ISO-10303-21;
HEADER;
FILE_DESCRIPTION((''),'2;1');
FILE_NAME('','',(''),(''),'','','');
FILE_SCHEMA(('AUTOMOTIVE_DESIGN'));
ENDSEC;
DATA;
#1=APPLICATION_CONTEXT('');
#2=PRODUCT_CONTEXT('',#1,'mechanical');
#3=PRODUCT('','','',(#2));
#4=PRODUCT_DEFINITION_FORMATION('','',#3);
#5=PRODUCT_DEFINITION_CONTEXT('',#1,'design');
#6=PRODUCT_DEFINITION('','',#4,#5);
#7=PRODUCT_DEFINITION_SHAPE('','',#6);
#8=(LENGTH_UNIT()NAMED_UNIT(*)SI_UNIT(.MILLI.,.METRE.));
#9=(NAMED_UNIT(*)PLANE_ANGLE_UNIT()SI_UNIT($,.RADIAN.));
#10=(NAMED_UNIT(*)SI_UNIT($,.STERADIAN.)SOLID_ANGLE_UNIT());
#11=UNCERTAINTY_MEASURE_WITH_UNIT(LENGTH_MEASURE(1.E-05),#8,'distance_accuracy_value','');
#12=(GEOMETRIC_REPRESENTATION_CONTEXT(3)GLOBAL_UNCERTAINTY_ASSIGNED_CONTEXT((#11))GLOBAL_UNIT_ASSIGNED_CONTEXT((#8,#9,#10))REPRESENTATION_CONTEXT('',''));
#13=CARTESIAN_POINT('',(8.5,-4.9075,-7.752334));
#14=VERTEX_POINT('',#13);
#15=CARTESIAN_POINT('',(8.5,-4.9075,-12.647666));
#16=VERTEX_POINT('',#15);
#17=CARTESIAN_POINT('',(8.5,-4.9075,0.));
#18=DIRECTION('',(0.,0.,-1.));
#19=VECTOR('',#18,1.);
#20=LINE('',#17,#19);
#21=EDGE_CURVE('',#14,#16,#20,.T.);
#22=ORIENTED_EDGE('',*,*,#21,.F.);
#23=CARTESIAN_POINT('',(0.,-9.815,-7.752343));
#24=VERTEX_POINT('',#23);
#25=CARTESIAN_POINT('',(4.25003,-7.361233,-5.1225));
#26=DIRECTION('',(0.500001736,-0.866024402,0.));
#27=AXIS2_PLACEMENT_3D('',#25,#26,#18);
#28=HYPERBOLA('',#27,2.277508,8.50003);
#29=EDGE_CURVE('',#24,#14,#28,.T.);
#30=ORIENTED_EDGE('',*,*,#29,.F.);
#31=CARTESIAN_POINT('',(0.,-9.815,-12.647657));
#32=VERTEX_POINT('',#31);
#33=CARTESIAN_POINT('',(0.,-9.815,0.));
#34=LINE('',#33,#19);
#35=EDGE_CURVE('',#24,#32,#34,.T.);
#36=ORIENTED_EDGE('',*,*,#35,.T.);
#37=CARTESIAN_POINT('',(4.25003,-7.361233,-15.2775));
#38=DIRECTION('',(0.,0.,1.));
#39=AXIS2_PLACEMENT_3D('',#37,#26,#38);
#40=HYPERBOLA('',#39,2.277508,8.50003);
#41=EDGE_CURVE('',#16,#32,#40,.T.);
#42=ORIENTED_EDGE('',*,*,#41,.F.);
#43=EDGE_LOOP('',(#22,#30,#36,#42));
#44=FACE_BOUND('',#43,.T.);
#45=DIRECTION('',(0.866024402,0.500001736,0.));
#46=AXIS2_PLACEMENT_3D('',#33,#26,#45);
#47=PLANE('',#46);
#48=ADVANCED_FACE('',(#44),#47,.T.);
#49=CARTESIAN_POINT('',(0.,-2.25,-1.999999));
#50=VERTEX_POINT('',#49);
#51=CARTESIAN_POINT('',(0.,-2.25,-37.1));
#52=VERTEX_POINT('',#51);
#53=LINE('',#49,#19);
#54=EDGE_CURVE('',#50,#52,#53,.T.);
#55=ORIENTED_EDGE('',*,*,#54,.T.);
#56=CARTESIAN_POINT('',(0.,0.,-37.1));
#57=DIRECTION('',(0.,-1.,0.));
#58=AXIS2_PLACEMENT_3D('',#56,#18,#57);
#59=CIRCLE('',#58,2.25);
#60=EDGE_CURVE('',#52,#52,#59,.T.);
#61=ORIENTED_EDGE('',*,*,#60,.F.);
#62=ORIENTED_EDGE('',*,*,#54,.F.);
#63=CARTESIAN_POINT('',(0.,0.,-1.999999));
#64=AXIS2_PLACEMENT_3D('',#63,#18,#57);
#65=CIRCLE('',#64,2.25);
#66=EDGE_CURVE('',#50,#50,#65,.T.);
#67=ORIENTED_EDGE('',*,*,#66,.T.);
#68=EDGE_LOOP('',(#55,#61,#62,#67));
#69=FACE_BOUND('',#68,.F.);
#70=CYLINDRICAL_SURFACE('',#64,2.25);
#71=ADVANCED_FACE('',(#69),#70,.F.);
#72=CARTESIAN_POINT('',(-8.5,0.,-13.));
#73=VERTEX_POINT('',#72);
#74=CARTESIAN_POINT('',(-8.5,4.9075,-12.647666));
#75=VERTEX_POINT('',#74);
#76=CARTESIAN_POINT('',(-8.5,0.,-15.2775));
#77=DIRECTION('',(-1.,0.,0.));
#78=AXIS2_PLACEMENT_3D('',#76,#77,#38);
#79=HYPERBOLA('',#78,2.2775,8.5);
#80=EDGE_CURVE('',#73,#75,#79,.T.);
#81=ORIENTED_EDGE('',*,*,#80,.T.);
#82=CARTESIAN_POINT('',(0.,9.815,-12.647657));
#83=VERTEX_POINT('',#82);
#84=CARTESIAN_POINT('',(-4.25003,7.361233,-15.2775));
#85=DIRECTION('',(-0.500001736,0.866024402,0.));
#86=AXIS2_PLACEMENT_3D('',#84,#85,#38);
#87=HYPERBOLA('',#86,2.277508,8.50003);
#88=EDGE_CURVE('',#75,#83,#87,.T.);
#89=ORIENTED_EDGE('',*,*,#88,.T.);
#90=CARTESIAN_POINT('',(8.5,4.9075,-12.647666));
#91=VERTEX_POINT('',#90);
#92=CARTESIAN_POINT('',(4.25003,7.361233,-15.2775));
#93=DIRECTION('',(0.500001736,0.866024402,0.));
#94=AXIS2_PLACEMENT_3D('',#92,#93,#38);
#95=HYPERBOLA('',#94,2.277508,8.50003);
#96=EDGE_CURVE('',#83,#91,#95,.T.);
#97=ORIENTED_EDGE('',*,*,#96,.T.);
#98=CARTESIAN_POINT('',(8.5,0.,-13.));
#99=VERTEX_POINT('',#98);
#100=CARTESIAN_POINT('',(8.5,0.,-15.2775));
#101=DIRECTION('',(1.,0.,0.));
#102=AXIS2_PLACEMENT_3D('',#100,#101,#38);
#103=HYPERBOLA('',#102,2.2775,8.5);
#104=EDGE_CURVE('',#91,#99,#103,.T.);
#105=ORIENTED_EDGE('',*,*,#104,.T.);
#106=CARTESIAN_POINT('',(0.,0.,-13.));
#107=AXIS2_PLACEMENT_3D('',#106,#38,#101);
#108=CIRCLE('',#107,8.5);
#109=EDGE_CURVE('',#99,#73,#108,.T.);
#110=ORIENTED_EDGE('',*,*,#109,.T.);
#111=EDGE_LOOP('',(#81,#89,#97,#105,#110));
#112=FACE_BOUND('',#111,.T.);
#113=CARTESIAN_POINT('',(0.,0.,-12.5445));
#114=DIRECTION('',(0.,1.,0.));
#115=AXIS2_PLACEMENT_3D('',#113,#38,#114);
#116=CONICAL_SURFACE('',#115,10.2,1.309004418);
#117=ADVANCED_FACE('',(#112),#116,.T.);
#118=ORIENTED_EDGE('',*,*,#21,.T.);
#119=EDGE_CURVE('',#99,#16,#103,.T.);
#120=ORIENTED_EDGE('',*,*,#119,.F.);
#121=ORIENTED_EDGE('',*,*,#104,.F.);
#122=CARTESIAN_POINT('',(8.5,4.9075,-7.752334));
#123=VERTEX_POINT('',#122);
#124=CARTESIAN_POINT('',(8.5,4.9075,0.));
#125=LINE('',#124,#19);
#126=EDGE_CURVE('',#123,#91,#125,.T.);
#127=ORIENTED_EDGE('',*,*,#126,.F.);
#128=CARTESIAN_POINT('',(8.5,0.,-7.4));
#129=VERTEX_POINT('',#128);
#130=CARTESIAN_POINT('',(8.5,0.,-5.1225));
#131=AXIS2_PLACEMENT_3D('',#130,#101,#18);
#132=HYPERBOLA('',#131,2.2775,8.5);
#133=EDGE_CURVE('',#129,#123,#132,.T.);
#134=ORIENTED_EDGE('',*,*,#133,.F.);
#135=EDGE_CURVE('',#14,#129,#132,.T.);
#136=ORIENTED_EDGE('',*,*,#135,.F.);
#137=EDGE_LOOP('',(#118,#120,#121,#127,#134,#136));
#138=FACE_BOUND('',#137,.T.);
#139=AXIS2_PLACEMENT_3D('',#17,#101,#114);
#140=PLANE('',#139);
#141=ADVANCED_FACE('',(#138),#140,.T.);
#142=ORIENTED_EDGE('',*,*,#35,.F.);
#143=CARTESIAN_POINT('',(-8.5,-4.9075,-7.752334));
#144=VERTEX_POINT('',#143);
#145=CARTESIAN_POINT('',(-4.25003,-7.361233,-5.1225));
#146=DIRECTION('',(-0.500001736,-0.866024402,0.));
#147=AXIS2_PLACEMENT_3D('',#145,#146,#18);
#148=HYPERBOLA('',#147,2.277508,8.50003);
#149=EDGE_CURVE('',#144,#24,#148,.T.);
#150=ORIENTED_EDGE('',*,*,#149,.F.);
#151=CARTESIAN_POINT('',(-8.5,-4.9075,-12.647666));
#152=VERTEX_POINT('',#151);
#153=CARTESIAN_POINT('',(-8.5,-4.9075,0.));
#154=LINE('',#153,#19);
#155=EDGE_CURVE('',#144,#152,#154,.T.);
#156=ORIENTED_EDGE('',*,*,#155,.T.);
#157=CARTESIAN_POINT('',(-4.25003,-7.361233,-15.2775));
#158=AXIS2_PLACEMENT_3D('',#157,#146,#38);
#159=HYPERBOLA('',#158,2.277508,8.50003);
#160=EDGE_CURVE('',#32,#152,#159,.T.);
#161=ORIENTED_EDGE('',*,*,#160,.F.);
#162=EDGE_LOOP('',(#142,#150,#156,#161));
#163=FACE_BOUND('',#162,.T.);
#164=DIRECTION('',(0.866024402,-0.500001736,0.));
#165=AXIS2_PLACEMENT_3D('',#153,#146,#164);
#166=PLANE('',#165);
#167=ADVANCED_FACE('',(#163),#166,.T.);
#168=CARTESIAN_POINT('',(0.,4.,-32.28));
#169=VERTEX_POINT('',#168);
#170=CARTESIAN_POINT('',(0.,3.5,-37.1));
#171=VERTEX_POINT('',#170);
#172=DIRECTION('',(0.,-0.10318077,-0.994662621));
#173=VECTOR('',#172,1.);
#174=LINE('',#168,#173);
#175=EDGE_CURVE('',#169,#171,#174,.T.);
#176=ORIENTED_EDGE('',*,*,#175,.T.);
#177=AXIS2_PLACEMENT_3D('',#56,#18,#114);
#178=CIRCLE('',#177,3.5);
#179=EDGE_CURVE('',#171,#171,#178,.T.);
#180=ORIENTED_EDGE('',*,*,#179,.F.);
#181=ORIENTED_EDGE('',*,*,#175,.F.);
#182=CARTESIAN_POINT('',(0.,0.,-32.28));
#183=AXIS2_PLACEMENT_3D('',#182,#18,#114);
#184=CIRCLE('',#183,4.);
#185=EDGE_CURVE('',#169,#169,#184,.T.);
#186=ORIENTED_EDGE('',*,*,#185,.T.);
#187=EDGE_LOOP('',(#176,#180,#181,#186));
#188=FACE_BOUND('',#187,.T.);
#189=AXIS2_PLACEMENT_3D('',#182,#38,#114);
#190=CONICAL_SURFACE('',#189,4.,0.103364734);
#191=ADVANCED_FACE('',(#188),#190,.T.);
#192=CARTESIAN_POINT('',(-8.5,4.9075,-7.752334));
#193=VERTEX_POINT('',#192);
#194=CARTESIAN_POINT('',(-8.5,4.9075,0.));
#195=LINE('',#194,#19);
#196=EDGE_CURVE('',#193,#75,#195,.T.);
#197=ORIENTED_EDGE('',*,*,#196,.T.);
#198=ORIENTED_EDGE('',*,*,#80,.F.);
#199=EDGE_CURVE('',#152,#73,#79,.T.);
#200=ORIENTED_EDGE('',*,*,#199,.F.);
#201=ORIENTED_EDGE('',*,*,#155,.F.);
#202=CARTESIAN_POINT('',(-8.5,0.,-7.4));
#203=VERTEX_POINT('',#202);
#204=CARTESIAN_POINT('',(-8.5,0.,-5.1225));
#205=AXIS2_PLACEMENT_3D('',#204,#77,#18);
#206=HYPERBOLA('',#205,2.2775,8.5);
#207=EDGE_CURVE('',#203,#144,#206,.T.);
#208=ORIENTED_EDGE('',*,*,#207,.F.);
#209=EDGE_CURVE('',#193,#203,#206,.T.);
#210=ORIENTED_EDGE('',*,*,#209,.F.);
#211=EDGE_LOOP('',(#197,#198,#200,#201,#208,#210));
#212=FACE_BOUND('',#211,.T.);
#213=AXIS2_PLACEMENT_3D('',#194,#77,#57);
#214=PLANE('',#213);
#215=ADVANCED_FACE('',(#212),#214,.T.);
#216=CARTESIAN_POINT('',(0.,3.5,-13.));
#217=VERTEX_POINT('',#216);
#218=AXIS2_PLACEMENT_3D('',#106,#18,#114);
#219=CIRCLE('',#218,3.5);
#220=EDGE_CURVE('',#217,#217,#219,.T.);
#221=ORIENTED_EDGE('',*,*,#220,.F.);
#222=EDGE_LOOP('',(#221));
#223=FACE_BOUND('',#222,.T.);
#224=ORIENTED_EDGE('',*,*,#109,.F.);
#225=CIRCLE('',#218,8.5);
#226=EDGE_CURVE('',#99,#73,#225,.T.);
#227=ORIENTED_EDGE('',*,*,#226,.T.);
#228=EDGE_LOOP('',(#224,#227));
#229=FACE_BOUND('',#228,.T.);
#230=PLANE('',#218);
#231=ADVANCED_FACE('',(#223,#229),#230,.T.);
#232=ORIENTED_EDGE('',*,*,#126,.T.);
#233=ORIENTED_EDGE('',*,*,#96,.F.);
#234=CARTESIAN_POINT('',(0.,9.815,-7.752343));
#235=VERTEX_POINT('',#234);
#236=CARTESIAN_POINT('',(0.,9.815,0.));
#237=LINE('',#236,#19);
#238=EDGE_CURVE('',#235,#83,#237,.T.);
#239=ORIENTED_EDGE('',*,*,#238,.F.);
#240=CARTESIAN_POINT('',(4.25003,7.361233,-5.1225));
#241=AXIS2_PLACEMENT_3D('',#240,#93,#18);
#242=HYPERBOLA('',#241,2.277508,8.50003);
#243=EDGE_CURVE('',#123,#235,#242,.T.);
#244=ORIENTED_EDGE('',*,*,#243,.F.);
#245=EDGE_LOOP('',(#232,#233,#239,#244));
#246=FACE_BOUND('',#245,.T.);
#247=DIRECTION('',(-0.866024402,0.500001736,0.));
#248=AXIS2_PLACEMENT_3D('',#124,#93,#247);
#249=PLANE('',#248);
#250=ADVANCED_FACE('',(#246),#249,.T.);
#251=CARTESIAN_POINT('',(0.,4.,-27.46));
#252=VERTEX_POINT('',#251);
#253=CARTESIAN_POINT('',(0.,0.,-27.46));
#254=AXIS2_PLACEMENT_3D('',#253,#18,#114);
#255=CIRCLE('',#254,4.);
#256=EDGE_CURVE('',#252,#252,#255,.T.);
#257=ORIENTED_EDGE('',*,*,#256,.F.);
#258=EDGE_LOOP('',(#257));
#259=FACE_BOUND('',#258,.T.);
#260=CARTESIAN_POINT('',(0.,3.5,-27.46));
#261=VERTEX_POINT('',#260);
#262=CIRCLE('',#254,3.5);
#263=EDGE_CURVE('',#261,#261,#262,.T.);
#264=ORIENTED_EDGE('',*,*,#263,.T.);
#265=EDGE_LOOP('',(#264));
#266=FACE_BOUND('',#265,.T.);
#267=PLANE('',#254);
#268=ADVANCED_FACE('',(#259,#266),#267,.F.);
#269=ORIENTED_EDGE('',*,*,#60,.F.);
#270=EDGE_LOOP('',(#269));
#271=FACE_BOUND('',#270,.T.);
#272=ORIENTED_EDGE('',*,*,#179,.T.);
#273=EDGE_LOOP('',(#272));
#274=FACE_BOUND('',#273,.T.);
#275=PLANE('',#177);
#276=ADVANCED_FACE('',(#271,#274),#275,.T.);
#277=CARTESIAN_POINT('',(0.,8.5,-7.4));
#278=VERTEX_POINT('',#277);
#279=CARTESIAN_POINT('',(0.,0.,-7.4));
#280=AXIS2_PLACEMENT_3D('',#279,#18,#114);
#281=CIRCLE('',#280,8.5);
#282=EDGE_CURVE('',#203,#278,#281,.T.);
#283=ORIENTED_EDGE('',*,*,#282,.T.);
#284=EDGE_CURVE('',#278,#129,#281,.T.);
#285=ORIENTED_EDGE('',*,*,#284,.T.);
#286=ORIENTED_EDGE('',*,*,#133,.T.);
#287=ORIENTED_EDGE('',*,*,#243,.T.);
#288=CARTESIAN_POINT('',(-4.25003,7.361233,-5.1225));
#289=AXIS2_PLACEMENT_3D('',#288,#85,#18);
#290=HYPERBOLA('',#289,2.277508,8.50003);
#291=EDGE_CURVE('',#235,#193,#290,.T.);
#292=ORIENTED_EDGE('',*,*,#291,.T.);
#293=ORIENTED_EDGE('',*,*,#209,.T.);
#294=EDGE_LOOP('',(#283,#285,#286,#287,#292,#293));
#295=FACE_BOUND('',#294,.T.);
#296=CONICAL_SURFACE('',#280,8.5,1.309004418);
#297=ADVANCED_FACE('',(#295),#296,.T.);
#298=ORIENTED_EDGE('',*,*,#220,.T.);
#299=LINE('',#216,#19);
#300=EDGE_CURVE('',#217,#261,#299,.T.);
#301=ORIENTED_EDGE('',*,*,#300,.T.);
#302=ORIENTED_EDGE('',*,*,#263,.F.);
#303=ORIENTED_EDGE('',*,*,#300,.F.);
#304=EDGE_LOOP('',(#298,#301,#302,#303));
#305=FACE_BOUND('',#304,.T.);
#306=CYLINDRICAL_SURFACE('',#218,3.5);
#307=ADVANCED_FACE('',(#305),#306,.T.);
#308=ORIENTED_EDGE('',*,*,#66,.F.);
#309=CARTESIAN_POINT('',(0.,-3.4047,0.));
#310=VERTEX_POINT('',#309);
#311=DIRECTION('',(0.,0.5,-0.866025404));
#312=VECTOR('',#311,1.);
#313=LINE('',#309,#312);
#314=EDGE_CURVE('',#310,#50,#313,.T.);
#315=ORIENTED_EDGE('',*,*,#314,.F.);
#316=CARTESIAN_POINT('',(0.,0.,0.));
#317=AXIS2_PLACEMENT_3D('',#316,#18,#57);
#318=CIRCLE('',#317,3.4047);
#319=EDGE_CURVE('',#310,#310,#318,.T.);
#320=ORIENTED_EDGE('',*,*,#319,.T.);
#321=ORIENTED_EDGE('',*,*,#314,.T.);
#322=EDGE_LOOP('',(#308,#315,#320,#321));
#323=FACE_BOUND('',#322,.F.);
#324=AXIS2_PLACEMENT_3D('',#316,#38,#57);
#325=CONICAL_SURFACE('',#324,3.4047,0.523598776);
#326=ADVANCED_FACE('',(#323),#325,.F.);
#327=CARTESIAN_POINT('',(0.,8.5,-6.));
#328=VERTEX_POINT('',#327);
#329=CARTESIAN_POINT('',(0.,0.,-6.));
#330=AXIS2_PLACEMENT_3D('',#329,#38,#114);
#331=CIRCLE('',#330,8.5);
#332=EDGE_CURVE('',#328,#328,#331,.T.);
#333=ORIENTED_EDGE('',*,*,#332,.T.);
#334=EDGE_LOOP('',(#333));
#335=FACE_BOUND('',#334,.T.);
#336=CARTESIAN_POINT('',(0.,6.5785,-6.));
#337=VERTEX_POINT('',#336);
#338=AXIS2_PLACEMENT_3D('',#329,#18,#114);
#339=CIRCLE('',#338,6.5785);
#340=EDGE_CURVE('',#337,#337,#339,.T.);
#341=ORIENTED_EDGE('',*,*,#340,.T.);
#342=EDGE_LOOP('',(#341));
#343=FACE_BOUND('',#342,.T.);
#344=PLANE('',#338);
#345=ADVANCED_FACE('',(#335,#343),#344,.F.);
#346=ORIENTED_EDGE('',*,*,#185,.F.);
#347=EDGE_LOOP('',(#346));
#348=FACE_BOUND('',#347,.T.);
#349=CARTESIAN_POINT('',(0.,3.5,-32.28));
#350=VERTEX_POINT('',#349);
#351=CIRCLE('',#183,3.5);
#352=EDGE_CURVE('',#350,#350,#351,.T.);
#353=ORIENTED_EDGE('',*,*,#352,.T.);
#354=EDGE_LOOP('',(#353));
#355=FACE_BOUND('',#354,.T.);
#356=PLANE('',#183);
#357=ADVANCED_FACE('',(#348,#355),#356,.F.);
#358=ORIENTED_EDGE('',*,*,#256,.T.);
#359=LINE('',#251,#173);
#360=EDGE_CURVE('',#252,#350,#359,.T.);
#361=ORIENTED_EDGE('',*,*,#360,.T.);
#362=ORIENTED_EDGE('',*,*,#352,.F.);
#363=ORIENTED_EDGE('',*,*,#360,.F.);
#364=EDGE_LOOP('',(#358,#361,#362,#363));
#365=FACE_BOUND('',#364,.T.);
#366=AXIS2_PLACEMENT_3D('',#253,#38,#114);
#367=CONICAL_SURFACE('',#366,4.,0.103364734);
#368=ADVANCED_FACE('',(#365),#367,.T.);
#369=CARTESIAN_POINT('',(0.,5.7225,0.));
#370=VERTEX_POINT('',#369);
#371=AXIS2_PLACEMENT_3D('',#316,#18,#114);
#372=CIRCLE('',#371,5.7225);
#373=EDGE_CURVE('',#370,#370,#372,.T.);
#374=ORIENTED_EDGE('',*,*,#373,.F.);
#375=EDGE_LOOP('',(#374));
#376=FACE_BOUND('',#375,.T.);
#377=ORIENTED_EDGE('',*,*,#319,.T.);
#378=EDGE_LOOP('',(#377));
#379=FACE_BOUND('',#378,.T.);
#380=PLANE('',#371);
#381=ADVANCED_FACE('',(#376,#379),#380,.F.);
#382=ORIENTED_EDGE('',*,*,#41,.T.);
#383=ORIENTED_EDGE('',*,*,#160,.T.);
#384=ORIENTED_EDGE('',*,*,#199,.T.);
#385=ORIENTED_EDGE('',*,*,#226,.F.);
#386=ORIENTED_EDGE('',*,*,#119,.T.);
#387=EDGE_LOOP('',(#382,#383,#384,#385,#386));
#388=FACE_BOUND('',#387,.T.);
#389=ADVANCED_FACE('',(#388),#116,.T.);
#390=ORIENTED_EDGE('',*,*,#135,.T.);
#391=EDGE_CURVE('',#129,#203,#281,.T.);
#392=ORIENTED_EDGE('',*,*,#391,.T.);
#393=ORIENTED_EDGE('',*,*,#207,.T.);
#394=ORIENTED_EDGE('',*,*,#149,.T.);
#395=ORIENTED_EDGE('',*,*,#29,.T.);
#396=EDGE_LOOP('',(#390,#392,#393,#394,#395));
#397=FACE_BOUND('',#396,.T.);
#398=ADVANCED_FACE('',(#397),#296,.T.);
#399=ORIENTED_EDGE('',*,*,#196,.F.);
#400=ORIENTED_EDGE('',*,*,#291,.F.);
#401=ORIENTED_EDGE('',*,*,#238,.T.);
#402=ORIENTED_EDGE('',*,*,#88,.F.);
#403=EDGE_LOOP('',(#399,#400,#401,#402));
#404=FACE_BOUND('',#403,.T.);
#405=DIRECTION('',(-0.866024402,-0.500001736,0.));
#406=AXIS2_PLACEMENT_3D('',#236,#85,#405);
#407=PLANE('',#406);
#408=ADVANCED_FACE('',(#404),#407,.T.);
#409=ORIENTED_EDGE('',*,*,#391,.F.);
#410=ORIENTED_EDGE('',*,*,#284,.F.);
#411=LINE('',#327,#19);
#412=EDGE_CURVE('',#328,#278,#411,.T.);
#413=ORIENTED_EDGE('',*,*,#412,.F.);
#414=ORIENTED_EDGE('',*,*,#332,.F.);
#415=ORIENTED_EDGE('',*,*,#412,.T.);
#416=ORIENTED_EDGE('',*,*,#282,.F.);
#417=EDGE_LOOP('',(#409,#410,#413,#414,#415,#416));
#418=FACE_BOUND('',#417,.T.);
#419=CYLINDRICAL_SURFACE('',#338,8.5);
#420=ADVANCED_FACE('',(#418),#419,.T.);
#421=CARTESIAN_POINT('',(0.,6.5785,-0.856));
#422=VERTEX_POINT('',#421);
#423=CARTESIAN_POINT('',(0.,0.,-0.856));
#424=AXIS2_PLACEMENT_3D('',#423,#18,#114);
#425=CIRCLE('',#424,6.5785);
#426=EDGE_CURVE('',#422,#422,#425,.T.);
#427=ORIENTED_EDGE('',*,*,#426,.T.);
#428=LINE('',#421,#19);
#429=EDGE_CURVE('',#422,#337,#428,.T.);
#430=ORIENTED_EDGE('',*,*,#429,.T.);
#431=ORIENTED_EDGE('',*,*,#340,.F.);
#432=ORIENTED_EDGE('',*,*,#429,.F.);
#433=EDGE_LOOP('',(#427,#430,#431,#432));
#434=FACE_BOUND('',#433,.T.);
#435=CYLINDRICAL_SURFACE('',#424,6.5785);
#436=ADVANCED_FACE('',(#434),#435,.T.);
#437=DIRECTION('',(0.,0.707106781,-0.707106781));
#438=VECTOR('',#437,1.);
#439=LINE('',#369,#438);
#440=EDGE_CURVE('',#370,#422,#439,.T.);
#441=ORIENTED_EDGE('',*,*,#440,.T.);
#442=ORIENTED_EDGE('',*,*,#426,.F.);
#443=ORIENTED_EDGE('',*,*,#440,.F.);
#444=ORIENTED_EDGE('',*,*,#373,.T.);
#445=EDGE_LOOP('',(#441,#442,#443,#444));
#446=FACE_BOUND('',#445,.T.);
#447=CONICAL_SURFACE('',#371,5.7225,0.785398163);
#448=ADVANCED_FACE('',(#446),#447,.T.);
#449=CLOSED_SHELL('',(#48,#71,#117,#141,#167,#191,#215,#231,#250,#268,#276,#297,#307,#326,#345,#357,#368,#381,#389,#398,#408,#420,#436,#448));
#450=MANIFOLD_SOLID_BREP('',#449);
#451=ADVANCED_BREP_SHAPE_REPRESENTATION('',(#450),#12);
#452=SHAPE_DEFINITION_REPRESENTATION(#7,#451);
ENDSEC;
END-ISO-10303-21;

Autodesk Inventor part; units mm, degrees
sketch "Skizze_1" plane through (0, 0, 0) normal (1, 0, 0) x (0, 1, 0)
  line L0 (0, -37.1) -> (0, 0)
  line L1 (0, 0) -> (5.7225, 0)
  line L2 (5.7225, 0) -> (6.5785, -0.856)
  line L3 (6.5785, -0.856) -> (6.5785, -6)
  line L4 (6.5785, -6) -> (8.5, -6)
  line L5 (8.5, -6) -> (8.5, -7.4)
  line L6 (8.5, -7.4) -> (10.2, -7.8555)
  line L7 (10.2, -7.8555) -> (10.2, -12.5445)
  line L8 (10.2, -12.5445) -> (8.5, -13)
  line L9 (8.5, -13) -> (3.5, -13)
  line L10 (3.5, -13) -> (3.5, -27.46)
  line L11 (3.5, -27.46) -> (4, -27.46)
  line L12 (4, -27.46) -> (3.5, -32.28)
  line L13 (3.5, -32.28) -> (4, -32.28)
  line L14 (4, -32.28) -> (3.5, -37.1)
  line L15 (3.5, -37.1) -> (0, -37.1)
  line L16 (0, -37.1) -> (0, 0)
revolve "Revolution1" add sketch "Skizze_1" angle 360 about axis through (0, 0, -37.1) along (0, 0, -1)
thread "Thread1" size "G13.157x1.337" designation "G 1/4" class "A" standard "ISO Pipe Threads" length 4.394
sketch "Sketch2" plane through (0, 0, 0) normal (0, 0, 1) x (1, 0, 0)
  point P0 (0, 0)
hole "Hole1" at (0, 0, 0) direction (0, 0, -1) diameter 4.5 depth 37.1 countersink diameter 6.8094 countersink angle 60
sketch "Skizze_3" plane through (0, 0, 0) normal (0, 0, 1) x (1, 0, 0)
  line L0 (-17, -17) -> (17, -17)
  line L1 (17, -17) -> (17, 17)
  line L2 (17, 17) -> (-17, 17)
  line L3 (-17, 17) -> (-17, -17)
  line L4 (-8.5, -4.9075) -> (0, -9.815)
  line L5 (0, -9.815) -> (8.5, -4.9075)
  line L6 (8.5, -4.9075) -> (8.5, 4.9075)
  line L7 (8.5, 4.9075) -> (0, 9.815)
  line L8 (0, 9.815) -> (-8.5, 4.9075)
  line L9 (-8.5, 4.9075) -> (-8.5, -4.9075)
extrude "Extrusion1" cut sketch "Skizze_3" against normal blind 13
ref_plane "ANBAU_STD_XY" through (0, 0, -6) normal (0, 0, -1) x (1, 0, 0)
ref_plane "ANBAU_STD_YZ" through (0, 0, -6) normal (1, 0, 0) x (0, -1, 0)
ref_plane "ANBAU_STD_ZX" through (0, 0, -6) normal (0, -1, 0) x (0, 0, -1)
properties part number "15631 N-1/4-P-6-MS"
